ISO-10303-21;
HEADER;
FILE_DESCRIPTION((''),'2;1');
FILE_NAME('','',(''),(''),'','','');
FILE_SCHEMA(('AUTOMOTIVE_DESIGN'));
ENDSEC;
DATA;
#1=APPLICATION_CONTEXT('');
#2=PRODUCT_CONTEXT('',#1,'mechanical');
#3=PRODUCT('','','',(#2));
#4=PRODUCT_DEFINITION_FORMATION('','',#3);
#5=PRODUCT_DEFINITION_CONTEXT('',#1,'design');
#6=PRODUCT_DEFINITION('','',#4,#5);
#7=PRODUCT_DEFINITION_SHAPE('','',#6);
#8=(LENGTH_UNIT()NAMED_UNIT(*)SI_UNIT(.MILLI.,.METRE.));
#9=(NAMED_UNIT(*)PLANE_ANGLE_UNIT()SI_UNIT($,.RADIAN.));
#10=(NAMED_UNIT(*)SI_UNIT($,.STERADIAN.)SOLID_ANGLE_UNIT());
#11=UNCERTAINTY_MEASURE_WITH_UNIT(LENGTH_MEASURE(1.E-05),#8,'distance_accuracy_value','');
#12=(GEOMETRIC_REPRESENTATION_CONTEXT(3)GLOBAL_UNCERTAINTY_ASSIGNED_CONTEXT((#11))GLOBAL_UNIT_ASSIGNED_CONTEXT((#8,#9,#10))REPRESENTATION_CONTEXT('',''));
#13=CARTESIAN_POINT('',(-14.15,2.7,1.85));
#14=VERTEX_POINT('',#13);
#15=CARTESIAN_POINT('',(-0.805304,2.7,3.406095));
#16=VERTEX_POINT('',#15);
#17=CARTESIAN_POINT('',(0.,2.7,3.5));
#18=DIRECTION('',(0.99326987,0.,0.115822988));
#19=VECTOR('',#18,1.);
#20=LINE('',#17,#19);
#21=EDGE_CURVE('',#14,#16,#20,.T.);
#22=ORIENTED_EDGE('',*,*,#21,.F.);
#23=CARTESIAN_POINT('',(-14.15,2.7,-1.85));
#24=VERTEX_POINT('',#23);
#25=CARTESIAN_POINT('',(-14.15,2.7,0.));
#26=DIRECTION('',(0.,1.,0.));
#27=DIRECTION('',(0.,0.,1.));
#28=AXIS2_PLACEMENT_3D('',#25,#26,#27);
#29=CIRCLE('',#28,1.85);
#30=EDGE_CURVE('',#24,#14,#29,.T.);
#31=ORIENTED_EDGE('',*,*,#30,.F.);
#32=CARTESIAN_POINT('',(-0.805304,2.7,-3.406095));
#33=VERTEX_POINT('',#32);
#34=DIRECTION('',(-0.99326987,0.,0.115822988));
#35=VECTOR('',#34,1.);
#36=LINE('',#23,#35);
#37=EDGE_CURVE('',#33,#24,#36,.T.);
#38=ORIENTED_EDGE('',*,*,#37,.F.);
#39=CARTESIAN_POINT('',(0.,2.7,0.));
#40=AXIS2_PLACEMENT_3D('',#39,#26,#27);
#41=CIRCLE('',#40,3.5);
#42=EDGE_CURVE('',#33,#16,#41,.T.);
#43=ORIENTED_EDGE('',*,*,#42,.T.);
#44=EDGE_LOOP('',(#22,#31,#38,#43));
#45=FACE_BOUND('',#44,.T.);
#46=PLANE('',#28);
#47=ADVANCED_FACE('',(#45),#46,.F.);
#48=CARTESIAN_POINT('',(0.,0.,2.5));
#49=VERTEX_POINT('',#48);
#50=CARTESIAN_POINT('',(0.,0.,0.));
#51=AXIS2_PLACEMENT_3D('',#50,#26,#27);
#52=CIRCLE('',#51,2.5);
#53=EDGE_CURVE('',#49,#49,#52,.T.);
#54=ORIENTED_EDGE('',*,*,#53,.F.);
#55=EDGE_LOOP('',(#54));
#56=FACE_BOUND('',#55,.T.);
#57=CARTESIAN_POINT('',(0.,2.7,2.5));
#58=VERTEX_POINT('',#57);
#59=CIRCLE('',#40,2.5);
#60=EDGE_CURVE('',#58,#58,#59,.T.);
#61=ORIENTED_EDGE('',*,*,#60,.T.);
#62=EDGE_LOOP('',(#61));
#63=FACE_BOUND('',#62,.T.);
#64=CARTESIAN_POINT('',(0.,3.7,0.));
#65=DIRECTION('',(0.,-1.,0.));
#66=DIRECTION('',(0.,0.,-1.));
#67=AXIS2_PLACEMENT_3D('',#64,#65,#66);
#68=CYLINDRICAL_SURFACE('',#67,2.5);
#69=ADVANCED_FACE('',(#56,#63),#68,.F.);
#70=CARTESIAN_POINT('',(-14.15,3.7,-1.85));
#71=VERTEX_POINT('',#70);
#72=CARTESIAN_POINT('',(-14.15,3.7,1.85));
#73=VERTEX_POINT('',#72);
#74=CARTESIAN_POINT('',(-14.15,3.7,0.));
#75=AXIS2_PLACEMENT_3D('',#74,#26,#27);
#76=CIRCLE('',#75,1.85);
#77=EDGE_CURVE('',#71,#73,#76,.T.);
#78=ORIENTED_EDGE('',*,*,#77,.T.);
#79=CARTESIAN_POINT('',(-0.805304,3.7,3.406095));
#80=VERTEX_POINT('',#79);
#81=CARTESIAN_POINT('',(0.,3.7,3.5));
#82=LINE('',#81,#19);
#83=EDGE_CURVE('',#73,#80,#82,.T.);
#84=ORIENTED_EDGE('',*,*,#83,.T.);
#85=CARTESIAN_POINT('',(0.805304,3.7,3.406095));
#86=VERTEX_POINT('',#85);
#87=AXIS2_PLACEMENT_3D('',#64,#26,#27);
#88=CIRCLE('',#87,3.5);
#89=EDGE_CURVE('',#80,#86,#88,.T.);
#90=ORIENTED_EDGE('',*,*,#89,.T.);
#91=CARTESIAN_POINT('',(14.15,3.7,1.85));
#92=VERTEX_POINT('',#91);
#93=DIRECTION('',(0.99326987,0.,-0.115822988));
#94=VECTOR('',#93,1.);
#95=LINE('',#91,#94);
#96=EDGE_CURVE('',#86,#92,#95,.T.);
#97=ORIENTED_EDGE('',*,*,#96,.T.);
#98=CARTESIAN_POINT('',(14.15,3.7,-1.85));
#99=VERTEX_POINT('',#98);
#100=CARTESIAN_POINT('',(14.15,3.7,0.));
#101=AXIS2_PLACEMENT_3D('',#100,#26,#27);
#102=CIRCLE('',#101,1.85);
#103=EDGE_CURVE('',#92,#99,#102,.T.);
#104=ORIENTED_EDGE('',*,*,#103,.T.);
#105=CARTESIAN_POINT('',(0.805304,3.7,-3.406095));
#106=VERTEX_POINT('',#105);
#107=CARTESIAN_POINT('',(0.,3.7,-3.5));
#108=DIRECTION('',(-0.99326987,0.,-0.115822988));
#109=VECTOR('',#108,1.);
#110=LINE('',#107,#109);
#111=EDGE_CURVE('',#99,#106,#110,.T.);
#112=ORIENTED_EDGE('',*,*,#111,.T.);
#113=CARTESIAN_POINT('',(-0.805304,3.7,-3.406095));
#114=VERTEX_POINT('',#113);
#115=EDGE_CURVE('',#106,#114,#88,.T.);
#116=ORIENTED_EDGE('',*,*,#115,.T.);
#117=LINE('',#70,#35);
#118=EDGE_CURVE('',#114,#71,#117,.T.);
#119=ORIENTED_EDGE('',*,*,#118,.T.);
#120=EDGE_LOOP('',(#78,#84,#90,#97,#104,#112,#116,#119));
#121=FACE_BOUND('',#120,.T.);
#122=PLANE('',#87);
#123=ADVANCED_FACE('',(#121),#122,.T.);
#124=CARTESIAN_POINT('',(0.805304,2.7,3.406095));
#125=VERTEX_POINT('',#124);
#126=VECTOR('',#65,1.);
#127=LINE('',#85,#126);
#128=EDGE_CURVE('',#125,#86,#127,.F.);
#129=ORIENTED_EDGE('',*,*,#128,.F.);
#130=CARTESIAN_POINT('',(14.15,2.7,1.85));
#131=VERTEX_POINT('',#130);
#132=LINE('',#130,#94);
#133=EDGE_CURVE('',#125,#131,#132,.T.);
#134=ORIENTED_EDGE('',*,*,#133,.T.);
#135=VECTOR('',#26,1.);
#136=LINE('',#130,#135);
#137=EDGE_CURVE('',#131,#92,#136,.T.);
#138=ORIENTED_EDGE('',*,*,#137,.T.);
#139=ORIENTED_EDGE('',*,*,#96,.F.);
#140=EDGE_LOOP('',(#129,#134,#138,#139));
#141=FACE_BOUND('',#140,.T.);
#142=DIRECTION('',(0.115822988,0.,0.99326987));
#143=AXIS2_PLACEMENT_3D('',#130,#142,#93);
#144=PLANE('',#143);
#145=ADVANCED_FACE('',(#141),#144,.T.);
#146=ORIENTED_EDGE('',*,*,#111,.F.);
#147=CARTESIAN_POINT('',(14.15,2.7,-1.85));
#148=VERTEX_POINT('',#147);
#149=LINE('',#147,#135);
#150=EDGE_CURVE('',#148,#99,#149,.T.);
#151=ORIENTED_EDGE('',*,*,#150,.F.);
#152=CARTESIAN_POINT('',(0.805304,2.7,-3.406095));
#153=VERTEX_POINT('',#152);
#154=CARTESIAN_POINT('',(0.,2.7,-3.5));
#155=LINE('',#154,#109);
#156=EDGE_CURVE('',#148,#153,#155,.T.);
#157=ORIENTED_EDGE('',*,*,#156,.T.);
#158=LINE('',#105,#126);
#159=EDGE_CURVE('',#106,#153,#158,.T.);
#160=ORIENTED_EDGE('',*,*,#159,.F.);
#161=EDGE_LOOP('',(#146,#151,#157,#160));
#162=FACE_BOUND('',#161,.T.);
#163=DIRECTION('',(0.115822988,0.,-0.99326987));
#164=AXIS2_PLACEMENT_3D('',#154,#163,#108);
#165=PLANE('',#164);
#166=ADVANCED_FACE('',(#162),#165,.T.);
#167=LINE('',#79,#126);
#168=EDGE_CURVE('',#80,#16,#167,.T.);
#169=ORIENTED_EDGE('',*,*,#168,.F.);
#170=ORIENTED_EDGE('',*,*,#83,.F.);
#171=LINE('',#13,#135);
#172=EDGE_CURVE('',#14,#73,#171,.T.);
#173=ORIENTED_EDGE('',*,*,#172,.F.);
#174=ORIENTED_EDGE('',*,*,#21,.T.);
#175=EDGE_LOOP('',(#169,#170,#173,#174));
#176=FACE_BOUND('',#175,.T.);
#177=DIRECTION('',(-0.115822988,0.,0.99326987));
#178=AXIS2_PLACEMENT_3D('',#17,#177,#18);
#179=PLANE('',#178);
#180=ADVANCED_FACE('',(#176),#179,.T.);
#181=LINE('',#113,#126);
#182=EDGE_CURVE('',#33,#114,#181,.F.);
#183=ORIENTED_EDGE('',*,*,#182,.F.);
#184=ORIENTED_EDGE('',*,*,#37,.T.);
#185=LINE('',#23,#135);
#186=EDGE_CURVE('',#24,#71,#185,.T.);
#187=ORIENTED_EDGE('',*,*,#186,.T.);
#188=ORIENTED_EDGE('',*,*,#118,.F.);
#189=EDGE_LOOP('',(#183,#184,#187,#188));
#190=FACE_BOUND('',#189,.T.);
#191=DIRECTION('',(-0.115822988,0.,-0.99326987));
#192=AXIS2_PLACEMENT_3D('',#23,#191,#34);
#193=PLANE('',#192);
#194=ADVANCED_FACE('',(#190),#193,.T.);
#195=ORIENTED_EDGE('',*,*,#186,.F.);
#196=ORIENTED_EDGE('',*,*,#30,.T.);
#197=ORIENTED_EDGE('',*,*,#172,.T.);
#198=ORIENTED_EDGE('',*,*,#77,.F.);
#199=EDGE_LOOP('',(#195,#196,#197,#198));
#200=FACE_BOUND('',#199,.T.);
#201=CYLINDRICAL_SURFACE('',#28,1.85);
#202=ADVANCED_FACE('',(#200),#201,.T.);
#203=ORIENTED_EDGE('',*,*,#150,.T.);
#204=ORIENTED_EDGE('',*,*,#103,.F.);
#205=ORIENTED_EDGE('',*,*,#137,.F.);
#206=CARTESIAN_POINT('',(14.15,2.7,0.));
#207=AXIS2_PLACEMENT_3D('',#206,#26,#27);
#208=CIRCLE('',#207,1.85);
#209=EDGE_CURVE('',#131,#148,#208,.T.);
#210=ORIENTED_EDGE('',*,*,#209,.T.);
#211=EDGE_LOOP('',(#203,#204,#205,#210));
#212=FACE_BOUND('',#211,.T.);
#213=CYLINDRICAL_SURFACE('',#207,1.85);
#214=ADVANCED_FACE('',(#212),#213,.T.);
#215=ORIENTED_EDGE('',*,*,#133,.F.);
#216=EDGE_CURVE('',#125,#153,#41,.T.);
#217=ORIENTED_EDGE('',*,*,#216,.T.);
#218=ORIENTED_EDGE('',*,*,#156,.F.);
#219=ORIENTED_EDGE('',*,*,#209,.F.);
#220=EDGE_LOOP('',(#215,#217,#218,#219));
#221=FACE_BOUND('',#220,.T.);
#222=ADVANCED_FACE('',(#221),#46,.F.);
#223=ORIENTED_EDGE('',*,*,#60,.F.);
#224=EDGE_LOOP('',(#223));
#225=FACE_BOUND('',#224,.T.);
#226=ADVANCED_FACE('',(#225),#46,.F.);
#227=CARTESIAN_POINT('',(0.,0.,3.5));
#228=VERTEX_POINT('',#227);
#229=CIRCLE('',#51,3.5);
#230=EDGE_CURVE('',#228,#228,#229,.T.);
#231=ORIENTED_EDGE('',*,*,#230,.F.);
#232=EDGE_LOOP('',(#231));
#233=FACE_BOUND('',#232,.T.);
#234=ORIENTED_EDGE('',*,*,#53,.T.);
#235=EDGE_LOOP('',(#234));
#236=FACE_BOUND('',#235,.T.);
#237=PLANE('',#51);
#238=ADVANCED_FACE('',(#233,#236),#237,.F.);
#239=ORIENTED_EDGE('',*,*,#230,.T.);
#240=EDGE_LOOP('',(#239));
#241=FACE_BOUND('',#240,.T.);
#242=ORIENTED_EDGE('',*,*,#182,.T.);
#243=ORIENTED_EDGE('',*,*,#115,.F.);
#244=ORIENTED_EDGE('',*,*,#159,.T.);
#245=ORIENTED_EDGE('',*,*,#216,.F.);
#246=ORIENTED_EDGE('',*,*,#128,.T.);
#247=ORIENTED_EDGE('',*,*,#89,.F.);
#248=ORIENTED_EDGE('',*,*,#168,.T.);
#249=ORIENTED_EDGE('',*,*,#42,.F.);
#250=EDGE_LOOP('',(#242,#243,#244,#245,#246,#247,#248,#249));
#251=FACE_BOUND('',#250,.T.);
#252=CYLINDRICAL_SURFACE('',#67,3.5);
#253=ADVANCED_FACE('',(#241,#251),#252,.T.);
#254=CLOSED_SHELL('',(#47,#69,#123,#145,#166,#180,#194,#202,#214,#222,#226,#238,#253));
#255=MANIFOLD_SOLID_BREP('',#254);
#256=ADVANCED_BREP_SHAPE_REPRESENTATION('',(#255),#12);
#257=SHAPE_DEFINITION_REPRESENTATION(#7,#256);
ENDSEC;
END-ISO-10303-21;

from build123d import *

# Parameters (mm, degrees)
CROQUIS1_R              = 3.5
CROQUIS1_R_2            = 2.5
SALIENTE_EXTRUIR1_DEPTH = 3.7
SALIENTE_EXTRUIR2_DEPTH = 1


with BuildPart() as part:
    # Croquis1 → Saliente-Extruir1 (new body)
    with BuildSketch(Plane(origin=(0, 0, 0), x_dir=(1, 0, 0), z_dir=(0, 1, 0))):
        Circle(CROQUIS1_R)
        Circle(CROQUIS1_R_2, mode=Mode.SUBTRACT)
    extrude(amount=SALIENTE_EXTRUIR1_DEPTH)

    # Croquis2 → Saliente-Extruir2 (add)
    with BuildSketch(Plane(origin=(0, 3.7, 0), x_dir=(1, 0, 0), z_dir=(0, 1, 0))):
        with BuildLine():
            Line((-14.15, 1.85), (0, 3.5))
            Line((0, 3.5), (14.15, 1.85))
            ThreePointArc((14.15, 1.85), (16, 0), (14.15, -1.85))
            Line((14.15, -1.85), (0, -3.5))
            Line((0, -3.5), (-14.15, -1.85))
            ThreePointArc((-14.15, -1.85), (-16, 0), (-14.15, 1.85))
        make_face()
    extrude(amount=-SALIENTE_EXTRUIR2_DEPTH)


solid = part.part
